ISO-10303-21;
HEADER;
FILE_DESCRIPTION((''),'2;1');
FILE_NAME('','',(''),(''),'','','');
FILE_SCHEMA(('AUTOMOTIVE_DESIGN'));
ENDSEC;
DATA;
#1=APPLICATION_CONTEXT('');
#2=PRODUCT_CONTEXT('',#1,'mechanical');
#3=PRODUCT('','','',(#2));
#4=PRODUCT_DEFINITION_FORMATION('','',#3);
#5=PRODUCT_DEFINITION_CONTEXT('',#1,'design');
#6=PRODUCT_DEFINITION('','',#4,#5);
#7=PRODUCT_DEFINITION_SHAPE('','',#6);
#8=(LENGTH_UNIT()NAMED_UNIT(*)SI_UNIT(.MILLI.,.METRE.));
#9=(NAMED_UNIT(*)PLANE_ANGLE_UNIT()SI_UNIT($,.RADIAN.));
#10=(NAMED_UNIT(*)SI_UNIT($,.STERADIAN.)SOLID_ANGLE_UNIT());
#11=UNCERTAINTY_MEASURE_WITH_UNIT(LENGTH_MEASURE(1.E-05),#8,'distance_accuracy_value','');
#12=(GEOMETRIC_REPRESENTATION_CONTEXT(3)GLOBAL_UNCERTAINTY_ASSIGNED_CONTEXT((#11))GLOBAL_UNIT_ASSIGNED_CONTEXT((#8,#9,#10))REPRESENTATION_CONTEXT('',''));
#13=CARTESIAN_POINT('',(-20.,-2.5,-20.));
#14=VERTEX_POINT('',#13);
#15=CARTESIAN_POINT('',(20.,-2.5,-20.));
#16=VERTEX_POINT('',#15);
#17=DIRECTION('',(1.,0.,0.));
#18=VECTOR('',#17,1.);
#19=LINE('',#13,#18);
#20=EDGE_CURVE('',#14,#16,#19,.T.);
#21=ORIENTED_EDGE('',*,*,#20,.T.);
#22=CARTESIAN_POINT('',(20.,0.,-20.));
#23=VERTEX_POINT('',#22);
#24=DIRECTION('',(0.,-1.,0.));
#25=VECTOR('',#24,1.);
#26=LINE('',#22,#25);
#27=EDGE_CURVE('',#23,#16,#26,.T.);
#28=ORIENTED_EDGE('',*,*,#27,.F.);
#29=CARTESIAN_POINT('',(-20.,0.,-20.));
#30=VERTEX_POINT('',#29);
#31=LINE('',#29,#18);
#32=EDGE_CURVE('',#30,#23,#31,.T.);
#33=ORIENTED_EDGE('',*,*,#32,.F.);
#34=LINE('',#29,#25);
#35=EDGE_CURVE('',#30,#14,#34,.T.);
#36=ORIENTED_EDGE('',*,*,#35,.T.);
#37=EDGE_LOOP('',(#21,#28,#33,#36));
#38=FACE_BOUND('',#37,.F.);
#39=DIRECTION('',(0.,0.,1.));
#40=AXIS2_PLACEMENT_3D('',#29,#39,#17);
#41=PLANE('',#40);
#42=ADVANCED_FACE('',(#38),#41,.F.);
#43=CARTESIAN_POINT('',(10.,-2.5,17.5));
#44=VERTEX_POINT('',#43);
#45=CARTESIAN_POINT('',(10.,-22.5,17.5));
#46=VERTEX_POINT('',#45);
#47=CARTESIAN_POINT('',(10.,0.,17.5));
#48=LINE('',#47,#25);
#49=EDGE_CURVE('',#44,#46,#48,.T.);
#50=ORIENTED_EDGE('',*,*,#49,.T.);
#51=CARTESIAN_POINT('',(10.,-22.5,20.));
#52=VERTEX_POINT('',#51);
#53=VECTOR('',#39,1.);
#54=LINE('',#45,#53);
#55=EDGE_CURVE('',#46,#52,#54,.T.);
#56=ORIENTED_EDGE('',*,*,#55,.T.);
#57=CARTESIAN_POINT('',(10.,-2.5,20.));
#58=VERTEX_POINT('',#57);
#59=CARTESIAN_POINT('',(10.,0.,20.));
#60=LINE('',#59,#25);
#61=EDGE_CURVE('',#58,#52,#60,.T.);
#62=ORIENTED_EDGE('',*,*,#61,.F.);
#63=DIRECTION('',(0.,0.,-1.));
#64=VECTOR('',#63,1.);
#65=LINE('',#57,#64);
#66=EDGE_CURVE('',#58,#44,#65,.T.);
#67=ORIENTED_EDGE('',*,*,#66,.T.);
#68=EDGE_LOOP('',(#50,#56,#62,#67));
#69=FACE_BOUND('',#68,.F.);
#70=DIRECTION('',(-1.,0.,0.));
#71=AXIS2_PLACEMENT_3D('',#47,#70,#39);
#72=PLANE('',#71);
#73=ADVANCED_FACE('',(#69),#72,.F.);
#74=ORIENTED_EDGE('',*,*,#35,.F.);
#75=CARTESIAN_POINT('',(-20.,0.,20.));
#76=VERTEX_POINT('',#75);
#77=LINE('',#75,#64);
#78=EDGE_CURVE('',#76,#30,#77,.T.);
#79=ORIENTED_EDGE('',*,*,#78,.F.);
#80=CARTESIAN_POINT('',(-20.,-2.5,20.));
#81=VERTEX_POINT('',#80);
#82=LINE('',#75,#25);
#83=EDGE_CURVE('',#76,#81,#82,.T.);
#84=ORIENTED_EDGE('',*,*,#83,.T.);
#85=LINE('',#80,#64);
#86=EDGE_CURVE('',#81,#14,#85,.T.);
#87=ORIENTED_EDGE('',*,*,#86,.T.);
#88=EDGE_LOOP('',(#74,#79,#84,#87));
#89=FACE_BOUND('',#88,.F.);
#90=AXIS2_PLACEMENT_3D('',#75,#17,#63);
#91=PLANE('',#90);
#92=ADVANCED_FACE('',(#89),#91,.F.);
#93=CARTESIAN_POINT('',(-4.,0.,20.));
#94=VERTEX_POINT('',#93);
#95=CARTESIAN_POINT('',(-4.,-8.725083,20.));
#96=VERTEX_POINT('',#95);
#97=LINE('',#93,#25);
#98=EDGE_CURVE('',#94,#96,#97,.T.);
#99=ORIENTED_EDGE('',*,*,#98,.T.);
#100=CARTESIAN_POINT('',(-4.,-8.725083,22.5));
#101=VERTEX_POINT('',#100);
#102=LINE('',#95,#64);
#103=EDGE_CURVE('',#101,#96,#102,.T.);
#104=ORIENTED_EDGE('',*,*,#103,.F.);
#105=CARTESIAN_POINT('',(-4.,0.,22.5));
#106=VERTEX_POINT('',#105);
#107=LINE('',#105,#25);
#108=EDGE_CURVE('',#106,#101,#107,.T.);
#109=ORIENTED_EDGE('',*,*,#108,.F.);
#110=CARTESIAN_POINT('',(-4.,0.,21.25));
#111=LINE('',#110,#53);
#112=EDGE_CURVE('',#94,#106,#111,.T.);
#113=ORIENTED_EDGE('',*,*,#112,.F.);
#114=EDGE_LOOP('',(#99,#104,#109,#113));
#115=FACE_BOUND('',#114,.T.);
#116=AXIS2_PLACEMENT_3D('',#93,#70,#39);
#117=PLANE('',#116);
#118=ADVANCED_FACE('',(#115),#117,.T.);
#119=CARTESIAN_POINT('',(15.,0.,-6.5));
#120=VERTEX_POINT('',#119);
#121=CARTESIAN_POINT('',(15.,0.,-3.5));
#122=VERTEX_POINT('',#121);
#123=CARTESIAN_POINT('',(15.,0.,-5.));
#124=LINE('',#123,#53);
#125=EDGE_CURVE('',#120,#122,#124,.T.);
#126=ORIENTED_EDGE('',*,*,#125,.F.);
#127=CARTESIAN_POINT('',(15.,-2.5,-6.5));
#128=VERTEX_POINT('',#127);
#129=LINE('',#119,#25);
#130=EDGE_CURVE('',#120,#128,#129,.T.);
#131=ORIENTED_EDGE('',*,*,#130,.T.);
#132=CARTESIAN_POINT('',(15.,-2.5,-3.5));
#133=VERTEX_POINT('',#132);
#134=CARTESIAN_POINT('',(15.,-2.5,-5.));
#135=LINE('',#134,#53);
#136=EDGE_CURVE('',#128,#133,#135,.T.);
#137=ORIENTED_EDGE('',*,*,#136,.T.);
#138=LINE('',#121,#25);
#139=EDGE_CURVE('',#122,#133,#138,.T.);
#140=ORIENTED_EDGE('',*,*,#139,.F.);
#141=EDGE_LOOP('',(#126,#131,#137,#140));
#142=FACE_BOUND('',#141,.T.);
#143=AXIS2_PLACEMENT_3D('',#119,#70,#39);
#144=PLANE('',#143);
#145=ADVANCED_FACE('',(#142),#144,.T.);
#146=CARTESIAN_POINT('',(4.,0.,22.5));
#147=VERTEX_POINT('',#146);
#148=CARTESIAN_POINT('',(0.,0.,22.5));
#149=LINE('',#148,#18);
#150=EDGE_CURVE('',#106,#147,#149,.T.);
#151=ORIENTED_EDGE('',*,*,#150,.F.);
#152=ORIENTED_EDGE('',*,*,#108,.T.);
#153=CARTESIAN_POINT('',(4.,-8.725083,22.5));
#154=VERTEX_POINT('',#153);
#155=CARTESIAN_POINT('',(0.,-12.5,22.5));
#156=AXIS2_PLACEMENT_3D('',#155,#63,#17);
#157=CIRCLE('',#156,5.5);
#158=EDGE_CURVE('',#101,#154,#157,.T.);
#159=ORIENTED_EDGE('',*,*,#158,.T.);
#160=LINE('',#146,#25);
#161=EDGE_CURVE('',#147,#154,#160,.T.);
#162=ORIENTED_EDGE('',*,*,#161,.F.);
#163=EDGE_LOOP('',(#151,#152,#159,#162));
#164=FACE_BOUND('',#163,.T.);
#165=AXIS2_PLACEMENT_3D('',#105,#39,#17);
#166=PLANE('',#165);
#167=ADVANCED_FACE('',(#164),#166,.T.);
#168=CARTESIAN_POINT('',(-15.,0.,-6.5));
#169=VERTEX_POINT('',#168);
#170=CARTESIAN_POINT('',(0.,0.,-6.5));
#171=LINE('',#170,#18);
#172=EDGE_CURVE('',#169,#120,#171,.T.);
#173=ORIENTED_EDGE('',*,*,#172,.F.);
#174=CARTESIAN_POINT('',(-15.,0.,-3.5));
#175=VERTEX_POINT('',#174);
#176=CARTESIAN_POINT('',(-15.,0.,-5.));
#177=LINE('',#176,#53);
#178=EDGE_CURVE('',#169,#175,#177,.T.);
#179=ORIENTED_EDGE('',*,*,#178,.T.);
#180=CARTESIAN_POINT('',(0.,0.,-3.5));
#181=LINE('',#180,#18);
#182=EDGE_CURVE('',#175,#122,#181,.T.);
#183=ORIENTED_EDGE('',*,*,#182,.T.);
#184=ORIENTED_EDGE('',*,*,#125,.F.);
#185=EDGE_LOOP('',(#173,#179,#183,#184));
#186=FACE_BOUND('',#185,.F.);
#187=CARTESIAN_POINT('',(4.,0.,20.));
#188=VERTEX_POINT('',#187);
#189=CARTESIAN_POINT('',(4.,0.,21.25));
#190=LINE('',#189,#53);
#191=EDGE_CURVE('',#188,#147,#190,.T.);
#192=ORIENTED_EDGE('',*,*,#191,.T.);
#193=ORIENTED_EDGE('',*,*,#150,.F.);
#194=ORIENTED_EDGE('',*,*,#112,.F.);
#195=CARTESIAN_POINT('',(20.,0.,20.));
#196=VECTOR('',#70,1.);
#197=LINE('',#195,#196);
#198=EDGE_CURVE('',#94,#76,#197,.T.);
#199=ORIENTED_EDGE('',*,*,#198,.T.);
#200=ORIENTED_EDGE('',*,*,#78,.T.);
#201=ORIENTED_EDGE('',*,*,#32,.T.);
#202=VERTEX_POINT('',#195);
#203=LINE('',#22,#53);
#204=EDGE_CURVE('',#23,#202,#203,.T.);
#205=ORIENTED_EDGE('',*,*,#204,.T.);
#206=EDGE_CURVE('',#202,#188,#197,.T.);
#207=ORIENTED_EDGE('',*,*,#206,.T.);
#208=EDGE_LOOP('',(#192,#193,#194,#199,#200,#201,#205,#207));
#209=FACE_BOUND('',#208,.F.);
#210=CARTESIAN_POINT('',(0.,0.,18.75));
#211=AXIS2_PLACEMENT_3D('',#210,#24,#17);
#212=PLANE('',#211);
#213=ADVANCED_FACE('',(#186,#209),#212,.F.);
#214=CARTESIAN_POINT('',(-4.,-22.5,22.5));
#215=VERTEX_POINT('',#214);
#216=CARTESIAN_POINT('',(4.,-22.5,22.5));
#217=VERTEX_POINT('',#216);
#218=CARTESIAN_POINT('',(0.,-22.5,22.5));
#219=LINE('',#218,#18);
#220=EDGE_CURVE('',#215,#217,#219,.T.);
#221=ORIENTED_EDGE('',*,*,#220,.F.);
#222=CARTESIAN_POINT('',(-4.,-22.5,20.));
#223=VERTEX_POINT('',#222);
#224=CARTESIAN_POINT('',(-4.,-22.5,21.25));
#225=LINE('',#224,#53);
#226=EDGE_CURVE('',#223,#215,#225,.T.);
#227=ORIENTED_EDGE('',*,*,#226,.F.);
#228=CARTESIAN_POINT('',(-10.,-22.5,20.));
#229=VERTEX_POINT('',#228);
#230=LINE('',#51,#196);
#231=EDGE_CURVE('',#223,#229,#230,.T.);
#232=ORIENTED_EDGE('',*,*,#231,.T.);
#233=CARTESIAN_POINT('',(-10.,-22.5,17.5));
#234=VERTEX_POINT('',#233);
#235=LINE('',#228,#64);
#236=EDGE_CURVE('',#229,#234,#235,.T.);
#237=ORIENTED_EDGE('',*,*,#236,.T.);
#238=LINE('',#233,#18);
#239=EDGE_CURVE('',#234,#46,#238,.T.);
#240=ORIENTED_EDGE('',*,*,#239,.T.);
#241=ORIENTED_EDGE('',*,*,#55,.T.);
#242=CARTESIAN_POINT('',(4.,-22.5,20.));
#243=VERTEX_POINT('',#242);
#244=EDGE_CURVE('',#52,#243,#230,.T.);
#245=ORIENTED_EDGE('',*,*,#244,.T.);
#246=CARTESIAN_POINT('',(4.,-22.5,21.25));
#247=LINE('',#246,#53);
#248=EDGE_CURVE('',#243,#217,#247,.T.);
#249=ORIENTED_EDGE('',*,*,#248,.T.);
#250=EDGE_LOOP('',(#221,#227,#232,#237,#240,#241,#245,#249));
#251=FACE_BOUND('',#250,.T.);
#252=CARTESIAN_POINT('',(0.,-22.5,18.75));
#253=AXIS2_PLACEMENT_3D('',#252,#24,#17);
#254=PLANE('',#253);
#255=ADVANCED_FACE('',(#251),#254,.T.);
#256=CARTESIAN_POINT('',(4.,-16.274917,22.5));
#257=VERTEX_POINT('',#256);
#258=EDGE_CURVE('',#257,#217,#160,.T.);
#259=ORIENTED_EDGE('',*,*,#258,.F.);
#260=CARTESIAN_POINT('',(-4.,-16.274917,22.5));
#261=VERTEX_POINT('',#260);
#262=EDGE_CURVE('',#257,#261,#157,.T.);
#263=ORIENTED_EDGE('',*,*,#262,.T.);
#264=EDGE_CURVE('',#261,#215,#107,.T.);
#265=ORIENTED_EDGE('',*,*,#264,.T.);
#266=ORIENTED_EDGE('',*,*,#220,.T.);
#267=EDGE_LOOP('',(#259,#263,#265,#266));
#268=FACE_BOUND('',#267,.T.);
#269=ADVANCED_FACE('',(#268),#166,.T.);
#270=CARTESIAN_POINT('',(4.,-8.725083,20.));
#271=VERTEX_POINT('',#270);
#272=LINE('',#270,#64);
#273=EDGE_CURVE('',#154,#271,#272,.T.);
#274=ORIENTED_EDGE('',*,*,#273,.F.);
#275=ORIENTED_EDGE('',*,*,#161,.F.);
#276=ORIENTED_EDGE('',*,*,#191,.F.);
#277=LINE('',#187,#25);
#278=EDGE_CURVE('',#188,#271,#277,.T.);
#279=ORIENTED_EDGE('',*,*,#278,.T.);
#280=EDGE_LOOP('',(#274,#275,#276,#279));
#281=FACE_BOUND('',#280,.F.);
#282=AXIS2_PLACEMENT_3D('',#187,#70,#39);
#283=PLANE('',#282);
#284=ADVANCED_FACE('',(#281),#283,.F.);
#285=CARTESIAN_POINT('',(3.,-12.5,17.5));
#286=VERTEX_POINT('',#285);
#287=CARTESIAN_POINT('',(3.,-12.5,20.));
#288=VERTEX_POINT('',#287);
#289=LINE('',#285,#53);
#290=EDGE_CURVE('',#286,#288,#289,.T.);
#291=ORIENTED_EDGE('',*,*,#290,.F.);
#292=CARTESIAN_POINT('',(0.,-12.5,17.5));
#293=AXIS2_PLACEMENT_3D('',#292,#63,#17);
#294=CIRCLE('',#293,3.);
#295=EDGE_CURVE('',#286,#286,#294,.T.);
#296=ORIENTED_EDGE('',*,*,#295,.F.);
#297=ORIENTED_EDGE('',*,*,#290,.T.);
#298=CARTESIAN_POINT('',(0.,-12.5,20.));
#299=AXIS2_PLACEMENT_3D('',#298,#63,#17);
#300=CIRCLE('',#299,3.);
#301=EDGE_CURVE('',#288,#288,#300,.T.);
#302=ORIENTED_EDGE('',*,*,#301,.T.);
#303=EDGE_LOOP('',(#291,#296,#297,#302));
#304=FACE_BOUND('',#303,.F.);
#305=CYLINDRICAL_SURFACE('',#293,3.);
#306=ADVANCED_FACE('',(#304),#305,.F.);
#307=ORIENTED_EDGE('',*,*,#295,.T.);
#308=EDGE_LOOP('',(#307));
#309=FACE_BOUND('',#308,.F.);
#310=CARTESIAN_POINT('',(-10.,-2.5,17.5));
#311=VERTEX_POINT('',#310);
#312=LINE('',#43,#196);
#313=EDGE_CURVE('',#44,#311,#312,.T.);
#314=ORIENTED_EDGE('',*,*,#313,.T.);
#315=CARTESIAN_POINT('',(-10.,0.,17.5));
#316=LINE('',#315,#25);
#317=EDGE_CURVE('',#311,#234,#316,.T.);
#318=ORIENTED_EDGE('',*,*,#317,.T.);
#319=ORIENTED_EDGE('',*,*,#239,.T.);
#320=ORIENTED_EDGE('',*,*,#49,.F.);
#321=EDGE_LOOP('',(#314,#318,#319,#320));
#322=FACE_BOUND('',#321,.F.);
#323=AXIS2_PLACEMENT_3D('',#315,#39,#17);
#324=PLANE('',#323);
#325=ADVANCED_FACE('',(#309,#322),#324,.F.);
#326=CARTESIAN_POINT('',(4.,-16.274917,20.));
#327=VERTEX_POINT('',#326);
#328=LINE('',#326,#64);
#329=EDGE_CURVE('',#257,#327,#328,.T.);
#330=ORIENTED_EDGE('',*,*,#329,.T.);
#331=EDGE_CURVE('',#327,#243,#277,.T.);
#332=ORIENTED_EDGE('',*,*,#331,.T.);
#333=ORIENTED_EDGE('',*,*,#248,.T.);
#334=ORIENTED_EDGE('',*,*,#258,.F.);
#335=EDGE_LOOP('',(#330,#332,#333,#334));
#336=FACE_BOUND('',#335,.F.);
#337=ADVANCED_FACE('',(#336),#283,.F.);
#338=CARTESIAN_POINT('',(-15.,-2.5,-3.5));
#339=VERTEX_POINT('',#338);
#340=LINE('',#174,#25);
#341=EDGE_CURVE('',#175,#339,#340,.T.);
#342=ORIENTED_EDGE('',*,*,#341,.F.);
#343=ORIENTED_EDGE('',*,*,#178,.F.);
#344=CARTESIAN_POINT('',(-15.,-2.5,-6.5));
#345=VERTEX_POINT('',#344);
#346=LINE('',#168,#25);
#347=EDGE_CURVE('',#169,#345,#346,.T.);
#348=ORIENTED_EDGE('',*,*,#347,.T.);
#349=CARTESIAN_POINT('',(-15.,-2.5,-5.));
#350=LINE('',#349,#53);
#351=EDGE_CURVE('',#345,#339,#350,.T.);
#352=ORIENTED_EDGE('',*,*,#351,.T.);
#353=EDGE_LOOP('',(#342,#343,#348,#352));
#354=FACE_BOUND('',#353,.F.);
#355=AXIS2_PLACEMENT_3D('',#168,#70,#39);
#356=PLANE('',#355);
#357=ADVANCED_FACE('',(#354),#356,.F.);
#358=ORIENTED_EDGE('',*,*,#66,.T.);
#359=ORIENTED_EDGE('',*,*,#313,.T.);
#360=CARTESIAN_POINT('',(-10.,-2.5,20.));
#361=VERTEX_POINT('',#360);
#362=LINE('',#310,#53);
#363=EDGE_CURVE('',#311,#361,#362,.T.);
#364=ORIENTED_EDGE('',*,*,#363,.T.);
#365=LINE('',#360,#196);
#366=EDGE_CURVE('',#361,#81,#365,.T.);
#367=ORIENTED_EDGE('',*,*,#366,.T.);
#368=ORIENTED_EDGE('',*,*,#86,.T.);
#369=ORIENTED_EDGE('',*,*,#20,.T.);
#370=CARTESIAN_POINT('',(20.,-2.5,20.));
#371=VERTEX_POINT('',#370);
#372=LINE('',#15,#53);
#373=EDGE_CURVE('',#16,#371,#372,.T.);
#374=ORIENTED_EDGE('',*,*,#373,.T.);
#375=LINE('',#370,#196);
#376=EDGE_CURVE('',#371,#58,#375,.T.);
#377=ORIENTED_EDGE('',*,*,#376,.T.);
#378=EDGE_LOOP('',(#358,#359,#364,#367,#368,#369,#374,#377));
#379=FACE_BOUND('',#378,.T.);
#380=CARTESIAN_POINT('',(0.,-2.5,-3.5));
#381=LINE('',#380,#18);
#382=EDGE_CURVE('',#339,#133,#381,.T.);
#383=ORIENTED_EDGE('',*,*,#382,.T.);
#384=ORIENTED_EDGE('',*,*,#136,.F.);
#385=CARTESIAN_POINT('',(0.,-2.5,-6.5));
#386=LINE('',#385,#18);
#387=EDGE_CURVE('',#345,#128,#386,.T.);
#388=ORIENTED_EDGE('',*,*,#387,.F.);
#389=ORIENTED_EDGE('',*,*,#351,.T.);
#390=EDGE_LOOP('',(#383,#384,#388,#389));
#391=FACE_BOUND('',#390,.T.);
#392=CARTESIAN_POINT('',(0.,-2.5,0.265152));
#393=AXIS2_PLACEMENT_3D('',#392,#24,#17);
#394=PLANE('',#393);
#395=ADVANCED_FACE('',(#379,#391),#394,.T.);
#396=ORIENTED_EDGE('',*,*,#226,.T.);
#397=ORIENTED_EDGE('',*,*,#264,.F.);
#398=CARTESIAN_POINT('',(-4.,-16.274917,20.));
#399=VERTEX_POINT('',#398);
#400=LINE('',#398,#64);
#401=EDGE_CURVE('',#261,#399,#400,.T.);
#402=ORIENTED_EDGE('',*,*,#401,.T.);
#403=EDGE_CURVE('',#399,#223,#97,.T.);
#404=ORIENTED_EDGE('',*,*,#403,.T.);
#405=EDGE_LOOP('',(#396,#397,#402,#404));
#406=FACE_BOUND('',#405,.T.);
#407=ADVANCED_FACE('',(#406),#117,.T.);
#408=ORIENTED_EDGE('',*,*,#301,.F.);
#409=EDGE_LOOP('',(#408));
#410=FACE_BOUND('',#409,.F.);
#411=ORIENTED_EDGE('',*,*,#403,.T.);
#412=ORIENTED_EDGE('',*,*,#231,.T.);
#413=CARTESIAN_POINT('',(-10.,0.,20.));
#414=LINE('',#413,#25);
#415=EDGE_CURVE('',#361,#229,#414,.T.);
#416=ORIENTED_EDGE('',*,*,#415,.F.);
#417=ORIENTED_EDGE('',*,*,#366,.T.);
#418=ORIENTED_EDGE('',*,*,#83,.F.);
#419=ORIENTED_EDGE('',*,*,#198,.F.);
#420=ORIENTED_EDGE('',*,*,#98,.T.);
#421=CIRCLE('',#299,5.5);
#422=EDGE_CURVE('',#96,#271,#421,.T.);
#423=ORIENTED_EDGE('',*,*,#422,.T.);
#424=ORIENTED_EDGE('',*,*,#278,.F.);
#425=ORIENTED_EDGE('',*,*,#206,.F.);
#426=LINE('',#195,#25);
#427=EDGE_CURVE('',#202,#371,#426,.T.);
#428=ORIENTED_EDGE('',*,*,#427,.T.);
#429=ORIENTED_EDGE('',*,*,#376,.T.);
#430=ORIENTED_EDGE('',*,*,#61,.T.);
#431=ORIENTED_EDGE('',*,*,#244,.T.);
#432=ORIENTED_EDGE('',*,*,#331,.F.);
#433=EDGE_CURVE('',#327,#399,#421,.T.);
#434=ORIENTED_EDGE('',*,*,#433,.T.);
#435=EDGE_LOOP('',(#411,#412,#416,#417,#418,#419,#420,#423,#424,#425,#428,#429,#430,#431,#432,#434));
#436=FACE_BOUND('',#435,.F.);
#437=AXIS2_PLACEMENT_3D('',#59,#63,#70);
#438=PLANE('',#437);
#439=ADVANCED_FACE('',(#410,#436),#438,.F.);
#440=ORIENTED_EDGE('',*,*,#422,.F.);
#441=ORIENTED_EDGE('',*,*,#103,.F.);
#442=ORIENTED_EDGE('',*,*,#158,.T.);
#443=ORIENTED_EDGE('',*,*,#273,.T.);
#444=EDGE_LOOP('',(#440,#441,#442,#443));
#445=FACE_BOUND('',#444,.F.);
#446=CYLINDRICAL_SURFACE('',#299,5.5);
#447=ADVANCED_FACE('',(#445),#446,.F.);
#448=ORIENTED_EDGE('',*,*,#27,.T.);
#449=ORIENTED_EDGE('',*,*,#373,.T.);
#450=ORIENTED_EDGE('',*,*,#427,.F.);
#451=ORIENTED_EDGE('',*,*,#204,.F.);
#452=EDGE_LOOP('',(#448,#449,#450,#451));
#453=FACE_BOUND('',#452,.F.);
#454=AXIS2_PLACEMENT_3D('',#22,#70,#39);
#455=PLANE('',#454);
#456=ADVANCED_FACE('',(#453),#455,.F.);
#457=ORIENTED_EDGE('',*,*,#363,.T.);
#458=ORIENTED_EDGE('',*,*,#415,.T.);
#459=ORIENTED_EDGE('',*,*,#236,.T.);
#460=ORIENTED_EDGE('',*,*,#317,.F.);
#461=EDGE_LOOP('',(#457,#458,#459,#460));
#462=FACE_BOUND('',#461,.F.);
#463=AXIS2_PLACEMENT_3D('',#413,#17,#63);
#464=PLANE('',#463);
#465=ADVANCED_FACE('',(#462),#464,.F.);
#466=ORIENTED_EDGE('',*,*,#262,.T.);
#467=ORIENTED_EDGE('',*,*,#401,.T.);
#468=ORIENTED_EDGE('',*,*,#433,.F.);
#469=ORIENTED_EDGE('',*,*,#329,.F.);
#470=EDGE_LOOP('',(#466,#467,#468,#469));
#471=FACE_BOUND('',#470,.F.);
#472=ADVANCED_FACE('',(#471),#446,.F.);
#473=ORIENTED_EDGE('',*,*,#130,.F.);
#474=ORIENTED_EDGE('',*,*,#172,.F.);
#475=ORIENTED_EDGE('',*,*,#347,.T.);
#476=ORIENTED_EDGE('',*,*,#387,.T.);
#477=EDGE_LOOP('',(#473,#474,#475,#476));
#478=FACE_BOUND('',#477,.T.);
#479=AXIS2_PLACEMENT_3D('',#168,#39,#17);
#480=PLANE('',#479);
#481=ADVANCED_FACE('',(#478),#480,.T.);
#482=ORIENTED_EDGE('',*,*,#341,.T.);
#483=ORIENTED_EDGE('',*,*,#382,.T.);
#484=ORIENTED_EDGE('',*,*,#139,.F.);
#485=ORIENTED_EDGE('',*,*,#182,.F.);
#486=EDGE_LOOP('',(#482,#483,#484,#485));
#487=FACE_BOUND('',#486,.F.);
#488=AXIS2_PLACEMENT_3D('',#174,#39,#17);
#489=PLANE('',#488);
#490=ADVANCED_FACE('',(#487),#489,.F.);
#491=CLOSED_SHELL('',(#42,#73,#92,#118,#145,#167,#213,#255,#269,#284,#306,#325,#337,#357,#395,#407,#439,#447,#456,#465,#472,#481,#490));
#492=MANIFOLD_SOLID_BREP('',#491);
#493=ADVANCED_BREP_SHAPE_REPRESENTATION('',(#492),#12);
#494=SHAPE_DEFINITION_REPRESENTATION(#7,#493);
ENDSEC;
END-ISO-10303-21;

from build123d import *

# Parameters (mm, degrees)
F0_W     = 30
F0_H     = 3
F1_DEPTH = 2.5
F2_DEPTH = 22.5
F0_W_2   = 8
F0_H_2   = 2.5
F3_DEPTH = 22.5
F4_R     = 3
F5_DEPTH = 5.001
F6_START = -2.5
F4_R_2   = 5.5
F6_DEPTH = 2.5


with BuildPart() as f1:
    # F0 (on Front) → F1 (new body)
    with BuildSketch(Plane.XZ):
        Polygon((-20, -20), (20, -20), (20, 17.5), (20, 20), (10, 20), (10, 17.5), (0, 17.5), (-10, 17.5), (-10, 20), (-20, 20), (-20, 17.5), align=None)
        with Locations((0, -5)):
            Rectangle(F0_W, F0_H, mode=Mode.SUBTRACT)
    extrude(amount=F1_DEPTH)

    # F0 (on Front) → F2 (join)
    with BuildSketch(Plane.XZ):
        Polygon((10, 17.5), (10, 20), (4, 20), (-4, 20), (-10, 20), (-10, 17.5), (0, 17.5), align=None)
    extrude(amount=F2_DEPTH)

    # F0 (on Front) → F3 (join)
    with BuildSketch(Plane.XZ):
        with Locations((0, 21.25)):
            Rectangle(F0_W_2, F0_H_2)
    extrude(amount=F3_DEPTH)

    # F4 (on face) → F5 (cut, through all)
    with BuildSketch(Plane(origin=(0, 0, 17.5), x_dir=(1, 0, 0), z_dir=(0, 0, -1))):
        with Locations((0, 12.5)):
            Circle(F4_R)
    extrude(amount=-F5_DEPTH, mode=Mode.SUBTRACT)

    # F4 (on face) → F6 (cut)
    with BuildSketch(Plane(origin=(0, 0, 17.5), x_dir=(1, 0, 0), z_dir=(0, 0, -1)).offset(F6_START)):
        with Locations((0, 12.5)):
            Circle(F4_R_2)
        with Locations((0, 12.5)):
            Circle(F4_R, mode=Mode.SUBTRACT)
    extrude(amount=-F6_DEPTH, mode=Mode.SUBTRACT)


solid = f1.part
